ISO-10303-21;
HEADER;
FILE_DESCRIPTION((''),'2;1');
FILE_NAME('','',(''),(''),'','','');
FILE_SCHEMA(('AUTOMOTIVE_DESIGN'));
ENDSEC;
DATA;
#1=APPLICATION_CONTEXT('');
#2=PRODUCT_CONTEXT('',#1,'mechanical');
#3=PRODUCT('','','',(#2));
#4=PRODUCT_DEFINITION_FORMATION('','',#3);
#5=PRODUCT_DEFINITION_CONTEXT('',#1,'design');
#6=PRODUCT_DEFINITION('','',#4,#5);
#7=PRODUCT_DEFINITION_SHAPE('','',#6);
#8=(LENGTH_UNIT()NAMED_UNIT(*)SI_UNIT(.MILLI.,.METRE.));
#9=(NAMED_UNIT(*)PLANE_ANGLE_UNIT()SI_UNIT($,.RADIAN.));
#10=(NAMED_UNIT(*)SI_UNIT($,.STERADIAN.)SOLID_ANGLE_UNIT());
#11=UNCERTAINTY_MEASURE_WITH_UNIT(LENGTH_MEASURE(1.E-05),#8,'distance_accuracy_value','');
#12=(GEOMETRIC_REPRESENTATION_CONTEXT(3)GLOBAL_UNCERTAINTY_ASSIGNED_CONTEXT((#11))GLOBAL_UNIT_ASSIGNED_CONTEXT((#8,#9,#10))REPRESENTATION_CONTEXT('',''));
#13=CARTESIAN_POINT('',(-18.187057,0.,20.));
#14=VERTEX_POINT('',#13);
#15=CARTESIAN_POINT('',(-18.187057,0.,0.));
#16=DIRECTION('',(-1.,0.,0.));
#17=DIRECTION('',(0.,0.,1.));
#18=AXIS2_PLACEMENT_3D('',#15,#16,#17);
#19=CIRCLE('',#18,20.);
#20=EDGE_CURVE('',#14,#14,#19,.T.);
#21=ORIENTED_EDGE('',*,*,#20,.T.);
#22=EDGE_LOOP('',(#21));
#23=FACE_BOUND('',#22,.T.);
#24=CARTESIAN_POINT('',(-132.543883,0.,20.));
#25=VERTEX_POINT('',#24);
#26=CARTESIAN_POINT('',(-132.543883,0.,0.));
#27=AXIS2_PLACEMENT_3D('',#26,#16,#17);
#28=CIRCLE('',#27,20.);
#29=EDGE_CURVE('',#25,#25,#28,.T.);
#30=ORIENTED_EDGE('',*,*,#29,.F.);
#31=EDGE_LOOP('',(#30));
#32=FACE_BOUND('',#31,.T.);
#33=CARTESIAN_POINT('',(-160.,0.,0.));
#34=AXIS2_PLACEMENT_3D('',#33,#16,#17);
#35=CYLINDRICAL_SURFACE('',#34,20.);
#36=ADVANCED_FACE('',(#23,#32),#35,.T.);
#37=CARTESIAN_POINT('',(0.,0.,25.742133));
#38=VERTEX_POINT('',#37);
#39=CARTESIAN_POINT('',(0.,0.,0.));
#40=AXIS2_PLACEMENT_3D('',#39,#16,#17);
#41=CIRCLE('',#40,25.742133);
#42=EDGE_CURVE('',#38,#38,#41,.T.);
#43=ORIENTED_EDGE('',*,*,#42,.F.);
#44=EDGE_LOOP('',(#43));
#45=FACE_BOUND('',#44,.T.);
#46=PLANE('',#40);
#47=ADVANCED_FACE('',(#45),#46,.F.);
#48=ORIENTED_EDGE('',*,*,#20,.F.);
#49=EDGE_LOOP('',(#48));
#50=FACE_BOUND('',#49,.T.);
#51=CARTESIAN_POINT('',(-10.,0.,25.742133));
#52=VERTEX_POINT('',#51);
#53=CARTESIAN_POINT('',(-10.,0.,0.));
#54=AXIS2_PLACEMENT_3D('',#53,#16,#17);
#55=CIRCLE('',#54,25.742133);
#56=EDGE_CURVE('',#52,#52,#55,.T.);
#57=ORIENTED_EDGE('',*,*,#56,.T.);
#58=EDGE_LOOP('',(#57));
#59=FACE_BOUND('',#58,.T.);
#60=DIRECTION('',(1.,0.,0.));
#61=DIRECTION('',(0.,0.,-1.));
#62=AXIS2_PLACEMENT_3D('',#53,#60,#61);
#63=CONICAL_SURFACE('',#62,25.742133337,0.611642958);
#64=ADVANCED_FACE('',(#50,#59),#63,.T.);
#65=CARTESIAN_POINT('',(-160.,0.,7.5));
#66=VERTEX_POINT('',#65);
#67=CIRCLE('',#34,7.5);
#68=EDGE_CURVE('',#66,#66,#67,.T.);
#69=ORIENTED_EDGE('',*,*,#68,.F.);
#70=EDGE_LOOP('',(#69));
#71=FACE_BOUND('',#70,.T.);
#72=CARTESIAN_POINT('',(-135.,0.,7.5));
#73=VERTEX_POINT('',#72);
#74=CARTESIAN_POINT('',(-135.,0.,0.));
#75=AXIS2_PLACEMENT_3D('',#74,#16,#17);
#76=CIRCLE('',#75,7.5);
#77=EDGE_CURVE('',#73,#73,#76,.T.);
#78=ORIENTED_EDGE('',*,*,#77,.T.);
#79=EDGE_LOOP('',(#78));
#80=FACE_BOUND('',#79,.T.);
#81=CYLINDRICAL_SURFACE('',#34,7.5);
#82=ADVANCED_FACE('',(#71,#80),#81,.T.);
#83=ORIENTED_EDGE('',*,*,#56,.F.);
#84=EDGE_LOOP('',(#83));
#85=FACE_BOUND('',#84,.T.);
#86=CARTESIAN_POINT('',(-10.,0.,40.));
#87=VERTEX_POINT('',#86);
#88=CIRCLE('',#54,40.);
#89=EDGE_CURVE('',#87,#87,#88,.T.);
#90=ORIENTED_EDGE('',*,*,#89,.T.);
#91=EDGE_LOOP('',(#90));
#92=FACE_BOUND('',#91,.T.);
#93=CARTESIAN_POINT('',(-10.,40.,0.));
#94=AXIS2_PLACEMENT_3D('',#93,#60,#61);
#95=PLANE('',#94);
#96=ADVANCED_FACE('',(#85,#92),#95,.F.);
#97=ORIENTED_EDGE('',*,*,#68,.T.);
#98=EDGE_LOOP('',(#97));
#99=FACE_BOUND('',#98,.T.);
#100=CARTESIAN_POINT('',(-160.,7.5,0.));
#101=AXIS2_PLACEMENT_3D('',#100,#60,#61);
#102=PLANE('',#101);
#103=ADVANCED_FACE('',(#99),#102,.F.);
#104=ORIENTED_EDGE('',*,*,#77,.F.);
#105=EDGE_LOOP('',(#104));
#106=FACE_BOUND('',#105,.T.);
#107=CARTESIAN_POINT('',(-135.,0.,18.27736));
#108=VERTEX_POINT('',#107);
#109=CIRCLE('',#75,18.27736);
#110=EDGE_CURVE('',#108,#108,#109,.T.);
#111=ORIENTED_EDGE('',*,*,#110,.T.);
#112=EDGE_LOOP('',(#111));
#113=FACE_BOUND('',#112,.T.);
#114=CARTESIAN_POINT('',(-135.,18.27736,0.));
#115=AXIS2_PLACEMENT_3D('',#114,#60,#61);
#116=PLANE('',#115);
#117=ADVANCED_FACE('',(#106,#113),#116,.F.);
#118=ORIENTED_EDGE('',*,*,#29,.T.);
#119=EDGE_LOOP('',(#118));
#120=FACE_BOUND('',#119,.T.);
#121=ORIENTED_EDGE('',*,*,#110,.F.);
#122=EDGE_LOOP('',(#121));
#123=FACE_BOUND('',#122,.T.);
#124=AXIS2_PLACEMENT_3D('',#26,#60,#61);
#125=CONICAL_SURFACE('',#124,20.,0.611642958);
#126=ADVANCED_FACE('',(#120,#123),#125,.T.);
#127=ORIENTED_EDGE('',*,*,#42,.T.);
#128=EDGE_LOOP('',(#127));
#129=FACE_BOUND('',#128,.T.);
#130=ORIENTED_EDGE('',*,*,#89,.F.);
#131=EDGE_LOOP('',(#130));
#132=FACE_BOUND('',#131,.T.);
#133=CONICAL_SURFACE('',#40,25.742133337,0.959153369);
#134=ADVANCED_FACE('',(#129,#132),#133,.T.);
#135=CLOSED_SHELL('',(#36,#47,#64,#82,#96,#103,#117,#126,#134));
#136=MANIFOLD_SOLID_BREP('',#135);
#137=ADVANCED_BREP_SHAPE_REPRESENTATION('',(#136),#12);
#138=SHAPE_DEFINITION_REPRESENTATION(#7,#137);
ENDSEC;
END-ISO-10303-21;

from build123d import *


with BuildPart() as part:
    # Croquis1 → Revolución1 (revolve)
    with BuildSketch(Plane.XY, mode=Mode.PRIVATE) as revoluci_n1_sk:
        Polygon((0, 0), (0, 25.742133337), (-10, 40), (-10, 25.742133337), (-18.187057148, 20), (-132.543882856, 20), (-135, 18.277359999), (-135, 7.5), (-160, 7.5), (-160, 0), align=None)
    revolve(revoluci_n1_sk.sketch.rotate(Axis((-160, 0, 0), (1, 0, 0)), 90), axis=Axis((-160, 0, 0), (1, 0, 0)))


solid = part.part
